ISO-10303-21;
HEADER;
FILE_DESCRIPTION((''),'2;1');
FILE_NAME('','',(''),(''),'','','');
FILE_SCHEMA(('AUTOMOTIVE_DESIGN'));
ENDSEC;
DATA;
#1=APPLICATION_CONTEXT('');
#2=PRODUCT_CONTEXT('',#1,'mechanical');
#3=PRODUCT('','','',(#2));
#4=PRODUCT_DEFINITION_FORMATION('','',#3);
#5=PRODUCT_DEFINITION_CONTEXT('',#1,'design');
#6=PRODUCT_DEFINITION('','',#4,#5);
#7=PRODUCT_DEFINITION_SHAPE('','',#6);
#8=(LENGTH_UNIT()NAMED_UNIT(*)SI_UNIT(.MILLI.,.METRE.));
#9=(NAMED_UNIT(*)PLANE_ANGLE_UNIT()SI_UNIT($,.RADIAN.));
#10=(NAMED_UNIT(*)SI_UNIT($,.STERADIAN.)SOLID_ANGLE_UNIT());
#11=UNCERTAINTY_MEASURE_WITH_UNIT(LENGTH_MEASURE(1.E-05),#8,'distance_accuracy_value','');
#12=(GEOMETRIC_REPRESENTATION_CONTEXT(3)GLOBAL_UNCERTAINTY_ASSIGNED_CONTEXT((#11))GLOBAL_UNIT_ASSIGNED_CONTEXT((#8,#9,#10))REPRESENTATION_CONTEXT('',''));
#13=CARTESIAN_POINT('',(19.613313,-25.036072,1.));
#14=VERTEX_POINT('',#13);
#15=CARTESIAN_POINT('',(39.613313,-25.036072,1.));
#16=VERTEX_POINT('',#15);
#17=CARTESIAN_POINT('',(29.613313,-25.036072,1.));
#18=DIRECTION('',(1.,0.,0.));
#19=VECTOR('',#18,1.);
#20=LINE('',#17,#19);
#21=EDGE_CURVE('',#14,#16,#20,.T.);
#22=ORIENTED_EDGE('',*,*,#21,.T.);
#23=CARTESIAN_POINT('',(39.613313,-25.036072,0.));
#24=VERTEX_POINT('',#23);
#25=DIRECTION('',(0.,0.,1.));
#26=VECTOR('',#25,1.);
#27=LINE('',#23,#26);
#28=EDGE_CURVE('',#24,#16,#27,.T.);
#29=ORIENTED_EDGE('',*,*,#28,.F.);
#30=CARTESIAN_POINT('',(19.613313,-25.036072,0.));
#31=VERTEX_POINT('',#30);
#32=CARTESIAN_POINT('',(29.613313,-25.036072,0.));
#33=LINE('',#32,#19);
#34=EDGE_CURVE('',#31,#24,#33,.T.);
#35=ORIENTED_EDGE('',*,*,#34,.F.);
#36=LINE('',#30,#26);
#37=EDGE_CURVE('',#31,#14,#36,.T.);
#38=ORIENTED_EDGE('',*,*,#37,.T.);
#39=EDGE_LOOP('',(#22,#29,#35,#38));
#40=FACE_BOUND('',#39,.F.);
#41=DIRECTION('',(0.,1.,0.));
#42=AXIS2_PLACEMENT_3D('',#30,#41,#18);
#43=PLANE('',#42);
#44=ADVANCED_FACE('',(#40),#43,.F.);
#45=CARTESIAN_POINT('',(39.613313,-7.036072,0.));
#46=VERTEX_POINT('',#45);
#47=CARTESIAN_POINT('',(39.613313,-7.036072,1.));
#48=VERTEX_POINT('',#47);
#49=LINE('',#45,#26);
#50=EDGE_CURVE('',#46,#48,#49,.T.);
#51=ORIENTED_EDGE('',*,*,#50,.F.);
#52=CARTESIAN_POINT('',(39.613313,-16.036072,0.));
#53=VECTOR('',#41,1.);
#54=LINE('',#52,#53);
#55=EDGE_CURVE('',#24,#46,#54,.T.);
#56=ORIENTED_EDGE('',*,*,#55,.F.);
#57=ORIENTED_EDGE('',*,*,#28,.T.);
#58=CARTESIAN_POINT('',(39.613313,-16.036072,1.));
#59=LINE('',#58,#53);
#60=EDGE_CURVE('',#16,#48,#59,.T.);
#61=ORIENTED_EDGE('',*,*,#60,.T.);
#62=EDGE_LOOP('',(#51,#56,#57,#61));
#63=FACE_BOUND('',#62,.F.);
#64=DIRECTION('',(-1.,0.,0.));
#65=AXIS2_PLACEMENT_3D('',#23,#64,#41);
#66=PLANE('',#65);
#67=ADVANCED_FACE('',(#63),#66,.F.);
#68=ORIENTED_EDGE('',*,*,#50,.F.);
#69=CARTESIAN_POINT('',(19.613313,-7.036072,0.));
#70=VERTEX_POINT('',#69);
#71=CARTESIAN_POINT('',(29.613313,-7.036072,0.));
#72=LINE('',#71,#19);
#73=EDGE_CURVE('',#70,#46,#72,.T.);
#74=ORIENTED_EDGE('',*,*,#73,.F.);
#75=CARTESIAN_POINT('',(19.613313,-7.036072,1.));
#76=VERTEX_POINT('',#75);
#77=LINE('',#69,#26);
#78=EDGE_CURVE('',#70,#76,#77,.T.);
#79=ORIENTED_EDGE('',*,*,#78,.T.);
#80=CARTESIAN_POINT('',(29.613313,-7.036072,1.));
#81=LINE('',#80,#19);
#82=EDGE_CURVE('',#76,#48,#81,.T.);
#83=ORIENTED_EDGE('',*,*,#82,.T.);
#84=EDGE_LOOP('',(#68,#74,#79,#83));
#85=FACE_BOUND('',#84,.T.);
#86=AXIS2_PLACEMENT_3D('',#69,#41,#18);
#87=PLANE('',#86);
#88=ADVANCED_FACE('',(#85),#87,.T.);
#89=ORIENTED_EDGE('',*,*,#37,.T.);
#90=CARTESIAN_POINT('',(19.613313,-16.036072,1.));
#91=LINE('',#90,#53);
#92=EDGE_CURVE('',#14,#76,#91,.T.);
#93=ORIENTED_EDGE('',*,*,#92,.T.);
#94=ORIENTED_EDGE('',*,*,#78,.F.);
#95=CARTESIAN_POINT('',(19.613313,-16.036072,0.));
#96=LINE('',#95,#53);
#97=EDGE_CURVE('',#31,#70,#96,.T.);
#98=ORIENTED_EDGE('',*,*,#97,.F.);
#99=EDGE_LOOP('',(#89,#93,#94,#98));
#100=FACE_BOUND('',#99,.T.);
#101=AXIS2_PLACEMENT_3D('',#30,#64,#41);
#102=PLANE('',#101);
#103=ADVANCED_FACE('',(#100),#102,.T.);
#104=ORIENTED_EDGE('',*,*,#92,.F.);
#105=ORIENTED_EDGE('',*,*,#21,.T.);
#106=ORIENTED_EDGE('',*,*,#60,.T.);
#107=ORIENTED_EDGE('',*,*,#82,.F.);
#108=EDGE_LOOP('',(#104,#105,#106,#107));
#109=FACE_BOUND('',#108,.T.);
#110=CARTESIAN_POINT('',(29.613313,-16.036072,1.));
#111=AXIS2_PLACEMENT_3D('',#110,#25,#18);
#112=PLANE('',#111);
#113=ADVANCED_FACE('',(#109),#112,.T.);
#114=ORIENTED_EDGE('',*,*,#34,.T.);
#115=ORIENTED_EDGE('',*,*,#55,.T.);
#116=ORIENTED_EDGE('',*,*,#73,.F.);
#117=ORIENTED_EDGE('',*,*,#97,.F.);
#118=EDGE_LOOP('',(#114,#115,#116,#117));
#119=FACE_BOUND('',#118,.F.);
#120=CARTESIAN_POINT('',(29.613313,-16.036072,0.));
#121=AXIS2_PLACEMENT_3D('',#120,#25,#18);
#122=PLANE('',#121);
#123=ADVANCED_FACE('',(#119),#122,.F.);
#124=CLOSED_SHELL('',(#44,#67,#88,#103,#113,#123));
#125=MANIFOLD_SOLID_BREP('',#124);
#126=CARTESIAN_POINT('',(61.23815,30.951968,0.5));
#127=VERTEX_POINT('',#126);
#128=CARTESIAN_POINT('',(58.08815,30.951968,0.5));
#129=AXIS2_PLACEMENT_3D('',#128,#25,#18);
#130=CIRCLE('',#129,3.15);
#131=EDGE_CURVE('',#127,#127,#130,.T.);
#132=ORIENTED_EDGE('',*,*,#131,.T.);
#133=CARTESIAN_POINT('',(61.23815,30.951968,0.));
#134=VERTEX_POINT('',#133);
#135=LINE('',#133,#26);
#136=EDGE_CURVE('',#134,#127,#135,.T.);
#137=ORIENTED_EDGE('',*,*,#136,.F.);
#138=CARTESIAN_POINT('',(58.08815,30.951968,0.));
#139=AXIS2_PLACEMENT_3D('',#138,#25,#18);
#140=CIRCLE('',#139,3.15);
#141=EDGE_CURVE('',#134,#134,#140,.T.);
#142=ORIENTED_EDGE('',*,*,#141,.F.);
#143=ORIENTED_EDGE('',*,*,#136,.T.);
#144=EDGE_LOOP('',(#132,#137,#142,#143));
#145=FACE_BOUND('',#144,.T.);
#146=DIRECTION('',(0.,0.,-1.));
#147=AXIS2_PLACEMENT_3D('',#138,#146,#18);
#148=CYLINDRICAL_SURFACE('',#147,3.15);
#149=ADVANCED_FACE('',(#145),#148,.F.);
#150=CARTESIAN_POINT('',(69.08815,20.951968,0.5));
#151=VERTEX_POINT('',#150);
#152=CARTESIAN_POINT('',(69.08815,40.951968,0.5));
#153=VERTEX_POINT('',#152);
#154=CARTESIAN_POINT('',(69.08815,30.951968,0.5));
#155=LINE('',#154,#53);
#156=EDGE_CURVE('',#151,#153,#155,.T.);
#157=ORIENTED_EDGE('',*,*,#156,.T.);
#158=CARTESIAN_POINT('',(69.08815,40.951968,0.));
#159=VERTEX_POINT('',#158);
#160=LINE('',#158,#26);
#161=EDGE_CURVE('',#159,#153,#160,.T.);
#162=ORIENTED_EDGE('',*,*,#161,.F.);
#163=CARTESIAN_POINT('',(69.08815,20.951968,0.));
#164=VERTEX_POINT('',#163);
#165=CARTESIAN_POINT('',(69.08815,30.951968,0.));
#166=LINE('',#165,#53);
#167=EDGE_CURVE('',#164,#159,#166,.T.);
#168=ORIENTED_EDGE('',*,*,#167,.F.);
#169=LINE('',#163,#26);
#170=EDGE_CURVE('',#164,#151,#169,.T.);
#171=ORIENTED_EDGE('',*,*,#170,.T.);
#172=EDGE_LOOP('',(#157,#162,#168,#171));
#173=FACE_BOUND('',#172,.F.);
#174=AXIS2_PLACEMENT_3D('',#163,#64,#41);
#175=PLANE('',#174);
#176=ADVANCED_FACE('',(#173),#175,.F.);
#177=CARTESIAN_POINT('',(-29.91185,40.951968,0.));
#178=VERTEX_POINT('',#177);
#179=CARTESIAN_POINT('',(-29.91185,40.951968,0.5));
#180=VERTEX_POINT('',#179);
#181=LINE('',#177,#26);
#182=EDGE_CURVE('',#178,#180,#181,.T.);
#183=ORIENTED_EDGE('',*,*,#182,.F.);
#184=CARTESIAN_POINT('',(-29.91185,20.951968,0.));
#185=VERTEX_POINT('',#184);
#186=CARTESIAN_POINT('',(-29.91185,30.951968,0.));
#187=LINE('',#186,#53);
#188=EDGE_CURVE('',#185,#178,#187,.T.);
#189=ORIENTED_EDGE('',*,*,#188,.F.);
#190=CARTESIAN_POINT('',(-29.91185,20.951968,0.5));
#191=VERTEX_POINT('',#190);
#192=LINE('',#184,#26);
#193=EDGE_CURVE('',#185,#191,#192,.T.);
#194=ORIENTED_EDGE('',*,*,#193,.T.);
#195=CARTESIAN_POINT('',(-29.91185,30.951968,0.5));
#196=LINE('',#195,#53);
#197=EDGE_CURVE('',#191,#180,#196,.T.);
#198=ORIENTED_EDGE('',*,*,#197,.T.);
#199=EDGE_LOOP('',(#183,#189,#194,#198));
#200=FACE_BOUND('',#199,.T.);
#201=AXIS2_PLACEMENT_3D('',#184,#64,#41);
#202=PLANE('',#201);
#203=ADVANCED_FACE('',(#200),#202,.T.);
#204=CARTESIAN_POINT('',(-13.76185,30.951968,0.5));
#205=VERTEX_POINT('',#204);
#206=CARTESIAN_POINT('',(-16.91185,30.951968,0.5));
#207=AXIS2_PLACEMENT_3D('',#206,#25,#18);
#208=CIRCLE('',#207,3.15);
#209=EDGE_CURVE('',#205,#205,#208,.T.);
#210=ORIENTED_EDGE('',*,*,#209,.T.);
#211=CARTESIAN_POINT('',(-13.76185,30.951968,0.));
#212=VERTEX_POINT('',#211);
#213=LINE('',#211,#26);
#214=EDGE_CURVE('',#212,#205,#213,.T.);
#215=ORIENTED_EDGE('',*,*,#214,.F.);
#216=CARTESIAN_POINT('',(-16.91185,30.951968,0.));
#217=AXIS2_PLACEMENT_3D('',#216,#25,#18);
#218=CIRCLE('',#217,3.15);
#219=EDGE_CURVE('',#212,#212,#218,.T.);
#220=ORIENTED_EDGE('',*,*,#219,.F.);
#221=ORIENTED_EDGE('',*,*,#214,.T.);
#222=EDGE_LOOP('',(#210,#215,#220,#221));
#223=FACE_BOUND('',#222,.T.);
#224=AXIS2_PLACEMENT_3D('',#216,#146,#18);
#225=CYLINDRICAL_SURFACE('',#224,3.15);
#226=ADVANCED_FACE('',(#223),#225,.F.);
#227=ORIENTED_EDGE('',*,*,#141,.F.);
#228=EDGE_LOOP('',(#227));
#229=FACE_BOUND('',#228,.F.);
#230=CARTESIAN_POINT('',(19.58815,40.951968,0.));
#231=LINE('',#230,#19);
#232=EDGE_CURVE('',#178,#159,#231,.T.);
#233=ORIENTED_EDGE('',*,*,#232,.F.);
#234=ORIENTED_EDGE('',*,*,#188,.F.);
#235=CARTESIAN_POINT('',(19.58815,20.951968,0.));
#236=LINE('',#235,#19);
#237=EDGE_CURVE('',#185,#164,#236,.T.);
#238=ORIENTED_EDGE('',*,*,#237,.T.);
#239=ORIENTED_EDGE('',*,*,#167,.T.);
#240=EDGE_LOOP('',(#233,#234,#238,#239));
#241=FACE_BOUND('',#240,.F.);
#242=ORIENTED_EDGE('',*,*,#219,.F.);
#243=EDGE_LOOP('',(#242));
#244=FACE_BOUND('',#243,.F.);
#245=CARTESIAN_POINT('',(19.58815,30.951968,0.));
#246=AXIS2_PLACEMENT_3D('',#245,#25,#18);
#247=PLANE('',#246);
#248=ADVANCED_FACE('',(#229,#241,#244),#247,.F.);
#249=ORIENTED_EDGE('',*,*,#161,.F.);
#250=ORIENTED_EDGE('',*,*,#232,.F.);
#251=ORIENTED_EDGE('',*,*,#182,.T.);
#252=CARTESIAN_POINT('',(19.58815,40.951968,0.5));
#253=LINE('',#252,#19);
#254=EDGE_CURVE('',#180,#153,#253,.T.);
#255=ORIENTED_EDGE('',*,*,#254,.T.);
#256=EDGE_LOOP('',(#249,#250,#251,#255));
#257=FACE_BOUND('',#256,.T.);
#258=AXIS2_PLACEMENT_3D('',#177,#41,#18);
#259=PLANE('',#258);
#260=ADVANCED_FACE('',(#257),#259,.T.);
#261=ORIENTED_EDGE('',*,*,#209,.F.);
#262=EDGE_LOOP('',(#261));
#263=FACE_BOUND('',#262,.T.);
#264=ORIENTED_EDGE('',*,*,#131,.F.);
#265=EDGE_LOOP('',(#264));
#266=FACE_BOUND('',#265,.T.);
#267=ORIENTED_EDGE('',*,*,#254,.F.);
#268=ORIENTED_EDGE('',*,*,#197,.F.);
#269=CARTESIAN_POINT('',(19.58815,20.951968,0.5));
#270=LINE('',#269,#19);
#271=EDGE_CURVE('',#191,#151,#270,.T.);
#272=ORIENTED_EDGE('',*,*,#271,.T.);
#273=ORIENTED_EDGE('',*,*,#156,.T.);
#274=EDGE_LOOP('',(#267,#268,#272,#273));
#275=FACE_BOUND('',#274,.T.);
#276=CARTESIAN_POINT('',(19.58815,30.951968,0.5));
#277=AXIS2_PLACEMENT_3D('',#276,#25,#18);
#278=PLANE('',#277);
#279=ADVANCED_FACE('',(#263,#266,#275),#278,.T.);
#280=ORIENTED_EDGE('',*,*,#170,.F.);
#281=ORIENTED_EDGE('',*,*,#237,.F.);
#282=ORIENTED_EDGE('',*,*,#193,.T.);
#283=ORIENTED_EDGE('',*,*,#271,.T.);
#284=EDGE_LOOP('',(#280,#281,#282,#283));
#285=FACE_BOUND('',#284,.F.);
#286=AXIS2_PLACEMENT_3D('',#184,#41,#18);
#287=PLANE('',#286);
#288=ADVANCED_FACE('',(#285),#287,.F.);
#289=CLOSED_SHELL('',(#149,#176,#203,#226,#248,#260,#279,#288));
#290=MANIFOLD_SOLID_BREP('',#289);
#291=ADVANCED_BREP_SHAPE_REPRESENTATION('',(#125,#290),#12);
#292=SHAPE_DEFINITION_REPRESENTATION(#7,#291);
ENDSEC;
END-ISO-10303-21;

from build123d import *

# Parameters (mm, degrees)
F0_W     = 99
F0_H     = 20
F0_R     = 3.15
F1_DEPTH = 0.5
F0_W_2   = 20
F0_H_2   = 18
F2_DEPTH = 1


with BuildPart() as f1:
    # F0 (on Top) → F1 (new body)
    with BuildSketch(Plane.XY):
        with Locations((19.58815, 30.951968)):
            Rectangle(F0_W, F0_H)
        with Locations((-16.91185, 30.951968)):
            Circle(F0_R, mode=Mode.SUBTRACT)
        with Locations((58.08815, 30.951968)):
            Circle(F0_R, mode=Mode.SUBTRACT)
    extrude(amount=F1_DEPTH)


with BuildPart() as f2:
    # F0 (on Top) → F2 (new body)
    with BuildSketch(Plane.XY):
        with Locations((29.613313, -16.036072)):
            Rectangle(F0_W_2, F0_H_2)
    extrude(amount=F2_DEPTH)


solid = Compound([f1.part, f2.part])
